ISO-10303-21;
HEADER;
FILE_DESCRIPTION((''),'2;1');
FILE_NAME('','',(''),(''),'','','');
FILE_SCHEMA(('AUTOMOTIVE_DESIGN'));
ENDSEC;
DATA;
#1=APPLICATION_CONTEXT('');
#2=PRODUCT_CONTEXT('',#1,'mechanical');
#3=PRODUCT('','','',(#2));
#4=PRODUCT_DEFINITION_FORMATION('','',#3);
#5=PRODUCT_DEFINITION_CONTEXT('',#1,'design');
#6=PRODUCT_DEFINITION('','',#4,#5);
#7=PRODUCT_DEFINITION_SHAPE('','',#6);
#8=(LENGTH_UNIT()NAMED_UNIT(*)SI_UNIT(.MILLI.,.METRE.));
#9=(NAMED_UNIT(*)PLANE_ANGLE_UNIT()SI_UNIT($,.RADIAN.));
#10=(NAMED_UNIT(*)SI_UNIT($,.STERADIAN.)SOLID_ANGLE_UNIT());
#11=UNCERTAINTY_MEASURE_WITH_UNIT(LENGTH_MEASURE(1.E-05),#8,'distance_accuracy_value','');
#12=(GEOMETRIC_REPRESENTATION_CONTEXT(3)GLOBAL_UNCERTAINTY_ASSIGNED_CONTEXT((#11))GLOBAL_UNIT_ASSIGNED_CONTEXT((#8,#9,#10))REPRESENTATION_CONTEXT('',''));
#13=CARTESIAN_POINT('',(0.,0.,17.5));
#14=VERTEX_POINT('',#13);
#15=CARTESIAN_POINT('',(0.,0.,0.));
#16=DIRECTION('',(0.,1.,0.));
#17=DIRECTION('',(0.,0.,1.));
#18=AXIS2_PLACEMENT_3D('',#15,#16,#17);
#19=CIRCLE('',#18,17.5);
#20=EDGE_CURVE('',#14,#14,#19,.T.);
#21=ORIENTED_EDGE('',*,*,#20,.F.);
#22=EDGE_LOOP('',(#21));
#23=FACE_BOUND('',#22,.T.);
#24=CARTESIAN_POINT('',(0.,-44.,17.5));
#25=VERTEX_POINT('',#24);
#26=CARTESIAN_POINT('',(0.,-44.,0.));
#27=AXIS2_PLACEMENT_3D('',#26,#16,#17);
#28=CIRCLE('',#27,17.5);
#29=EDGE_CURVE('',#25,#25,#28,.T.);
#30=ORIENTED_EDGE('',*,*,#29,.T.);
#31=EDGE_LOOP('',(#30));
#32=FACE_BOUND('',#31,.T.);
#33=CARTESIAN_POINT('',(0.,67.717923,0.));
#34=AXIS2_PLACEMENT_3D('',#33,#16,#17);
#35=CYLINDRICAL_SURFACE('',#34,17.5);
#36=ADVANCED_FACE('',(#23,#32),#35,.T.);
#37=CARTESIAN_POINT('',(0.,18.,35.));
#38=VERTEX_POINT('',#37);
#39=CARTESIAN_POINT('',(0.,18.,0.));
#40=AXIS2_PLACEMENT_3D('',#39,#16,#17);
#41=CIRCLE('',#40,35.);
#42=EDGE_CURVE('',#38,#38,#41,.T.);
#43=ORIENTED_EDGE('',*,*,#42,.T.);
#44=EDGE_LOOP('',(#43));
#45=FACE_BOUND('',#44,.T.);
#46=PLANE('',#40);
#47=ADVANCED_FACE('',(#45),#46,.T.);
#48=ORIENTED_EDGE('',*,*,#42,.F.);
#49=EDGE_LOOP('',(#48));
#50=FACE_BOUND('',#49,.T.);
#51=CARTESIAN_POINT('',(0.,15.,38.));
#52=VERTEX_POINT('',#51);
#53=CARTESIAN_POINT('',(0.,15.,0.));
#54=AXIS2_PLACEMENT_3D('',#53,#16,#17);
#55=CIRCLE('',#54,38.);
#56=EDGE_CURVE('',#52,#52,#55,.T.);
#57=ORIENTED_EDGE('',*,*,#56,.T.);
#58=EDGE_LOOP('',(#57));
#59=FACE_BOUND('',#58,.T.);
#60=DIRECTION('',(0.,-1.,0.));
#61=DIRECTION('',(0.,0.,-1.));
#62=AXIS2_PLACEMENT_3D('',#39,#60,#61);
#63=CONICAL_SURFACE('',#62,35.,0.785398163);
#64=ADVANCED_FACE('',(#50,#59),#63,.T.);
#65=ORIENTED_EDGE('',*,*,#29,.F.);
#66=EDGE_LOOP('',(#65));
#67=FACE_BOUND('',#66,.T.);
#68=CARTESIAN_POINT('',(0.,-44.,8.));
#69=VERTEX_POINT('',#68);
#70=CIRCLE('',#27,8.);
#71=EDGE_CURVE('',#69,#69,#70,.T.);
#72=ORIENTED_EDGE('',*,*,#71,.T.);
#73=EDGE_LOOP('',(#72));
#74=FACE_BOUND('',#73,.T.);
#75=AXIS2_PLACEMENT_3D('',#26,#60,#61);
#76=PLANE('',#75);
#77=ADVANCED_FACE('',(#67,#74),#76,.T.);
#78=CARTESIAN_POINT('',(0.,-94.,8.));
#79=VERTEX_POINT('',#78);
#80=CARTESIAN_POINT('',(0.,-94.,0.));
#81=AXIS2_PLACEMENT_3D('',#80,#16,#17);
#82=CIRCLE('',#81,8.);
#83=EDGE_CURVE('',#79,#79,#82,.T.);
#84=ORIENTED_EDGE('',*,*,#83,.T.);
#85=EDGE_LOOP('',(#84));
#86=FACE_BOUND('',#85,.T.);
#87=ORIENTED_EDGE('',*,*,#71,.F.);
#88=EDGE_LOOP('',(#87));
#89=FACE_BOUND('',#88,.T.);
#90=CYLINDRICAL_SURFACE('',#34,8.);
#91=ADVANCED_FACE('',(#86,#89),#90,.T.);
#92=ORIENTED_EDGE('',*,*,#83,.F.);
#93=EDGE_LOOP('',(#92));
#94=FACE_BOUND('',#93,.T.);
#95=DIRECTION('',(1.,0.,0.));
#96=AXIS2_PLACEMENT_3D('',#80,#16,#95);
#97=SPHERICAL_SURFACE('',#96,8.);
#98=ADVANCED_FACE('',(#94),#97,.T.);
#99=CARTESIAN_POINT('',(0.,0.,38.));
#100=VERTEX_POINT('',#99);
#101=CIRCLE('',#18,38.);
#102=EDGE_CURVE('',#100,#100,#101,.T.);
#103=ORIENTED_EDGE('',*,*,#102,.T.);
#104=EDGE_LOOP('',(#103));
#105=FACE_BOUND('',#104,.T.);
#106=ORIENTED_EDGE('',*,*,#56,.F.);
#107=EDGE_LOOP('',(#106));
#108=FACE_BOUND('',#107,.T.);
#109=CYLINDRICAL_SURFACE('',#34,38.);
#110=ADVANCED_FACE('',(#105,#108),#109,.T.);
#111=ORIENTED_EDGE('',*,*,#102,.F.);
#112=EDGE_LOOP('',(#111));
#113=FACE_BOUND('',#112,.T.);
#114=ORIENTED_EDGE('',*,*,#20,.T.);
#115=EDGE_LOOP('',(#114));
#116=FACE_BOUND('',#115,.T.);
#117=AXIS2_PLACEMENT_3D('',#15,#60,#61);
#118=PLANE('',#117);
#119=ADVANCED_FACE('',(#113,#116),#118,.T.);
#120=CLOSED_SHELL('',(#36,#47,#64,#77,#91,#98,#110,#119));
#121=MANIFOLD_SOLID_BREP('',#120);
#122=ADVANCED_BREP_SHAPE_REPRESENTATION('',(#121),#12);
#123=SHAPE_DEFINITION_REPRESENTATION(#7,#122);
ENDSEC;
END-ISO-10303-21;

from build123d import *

# Parameters (mm, degrees)
SKETCH1_W = 8
SKETCH1_H = 50


with BuildPart() as part:
    # Sketch1 → Revolve1 (revolve)
    with BuildSketch(Plane.XY, mode=Mode.PRIVATE) as revolve1_sk:
        Polygon((35, 18), (0, 18), (0, 15), (38, 15), align=None)
        Polygon((38, 15), (0, 15), (0, 0), (17.5, 0), (38, 0), align=None)
        Polygon((17.5, 0), (0, 0), (0, -44), (8, -44), (17.5, -44), align=None)
        with Locations((4, -69)):
            Rectangle(SKETCH1_W, SKETCH1_H)
        with BuildLine():
            ThreePointArc((8, -94), (5.656854249, -99.656854249), (0, -102))
            Line((0, -102), (0, -94))
            Line((0, -94), (8, -94))
        make_face()
    revolve(revolve1_sk.sketch.rotate(Axis((0, 67.717923126, 0), (0, -1, 0)), 90), axis=Axis((0, 67.717923126, 0), (0, -1, 0)))


solid = part.part
